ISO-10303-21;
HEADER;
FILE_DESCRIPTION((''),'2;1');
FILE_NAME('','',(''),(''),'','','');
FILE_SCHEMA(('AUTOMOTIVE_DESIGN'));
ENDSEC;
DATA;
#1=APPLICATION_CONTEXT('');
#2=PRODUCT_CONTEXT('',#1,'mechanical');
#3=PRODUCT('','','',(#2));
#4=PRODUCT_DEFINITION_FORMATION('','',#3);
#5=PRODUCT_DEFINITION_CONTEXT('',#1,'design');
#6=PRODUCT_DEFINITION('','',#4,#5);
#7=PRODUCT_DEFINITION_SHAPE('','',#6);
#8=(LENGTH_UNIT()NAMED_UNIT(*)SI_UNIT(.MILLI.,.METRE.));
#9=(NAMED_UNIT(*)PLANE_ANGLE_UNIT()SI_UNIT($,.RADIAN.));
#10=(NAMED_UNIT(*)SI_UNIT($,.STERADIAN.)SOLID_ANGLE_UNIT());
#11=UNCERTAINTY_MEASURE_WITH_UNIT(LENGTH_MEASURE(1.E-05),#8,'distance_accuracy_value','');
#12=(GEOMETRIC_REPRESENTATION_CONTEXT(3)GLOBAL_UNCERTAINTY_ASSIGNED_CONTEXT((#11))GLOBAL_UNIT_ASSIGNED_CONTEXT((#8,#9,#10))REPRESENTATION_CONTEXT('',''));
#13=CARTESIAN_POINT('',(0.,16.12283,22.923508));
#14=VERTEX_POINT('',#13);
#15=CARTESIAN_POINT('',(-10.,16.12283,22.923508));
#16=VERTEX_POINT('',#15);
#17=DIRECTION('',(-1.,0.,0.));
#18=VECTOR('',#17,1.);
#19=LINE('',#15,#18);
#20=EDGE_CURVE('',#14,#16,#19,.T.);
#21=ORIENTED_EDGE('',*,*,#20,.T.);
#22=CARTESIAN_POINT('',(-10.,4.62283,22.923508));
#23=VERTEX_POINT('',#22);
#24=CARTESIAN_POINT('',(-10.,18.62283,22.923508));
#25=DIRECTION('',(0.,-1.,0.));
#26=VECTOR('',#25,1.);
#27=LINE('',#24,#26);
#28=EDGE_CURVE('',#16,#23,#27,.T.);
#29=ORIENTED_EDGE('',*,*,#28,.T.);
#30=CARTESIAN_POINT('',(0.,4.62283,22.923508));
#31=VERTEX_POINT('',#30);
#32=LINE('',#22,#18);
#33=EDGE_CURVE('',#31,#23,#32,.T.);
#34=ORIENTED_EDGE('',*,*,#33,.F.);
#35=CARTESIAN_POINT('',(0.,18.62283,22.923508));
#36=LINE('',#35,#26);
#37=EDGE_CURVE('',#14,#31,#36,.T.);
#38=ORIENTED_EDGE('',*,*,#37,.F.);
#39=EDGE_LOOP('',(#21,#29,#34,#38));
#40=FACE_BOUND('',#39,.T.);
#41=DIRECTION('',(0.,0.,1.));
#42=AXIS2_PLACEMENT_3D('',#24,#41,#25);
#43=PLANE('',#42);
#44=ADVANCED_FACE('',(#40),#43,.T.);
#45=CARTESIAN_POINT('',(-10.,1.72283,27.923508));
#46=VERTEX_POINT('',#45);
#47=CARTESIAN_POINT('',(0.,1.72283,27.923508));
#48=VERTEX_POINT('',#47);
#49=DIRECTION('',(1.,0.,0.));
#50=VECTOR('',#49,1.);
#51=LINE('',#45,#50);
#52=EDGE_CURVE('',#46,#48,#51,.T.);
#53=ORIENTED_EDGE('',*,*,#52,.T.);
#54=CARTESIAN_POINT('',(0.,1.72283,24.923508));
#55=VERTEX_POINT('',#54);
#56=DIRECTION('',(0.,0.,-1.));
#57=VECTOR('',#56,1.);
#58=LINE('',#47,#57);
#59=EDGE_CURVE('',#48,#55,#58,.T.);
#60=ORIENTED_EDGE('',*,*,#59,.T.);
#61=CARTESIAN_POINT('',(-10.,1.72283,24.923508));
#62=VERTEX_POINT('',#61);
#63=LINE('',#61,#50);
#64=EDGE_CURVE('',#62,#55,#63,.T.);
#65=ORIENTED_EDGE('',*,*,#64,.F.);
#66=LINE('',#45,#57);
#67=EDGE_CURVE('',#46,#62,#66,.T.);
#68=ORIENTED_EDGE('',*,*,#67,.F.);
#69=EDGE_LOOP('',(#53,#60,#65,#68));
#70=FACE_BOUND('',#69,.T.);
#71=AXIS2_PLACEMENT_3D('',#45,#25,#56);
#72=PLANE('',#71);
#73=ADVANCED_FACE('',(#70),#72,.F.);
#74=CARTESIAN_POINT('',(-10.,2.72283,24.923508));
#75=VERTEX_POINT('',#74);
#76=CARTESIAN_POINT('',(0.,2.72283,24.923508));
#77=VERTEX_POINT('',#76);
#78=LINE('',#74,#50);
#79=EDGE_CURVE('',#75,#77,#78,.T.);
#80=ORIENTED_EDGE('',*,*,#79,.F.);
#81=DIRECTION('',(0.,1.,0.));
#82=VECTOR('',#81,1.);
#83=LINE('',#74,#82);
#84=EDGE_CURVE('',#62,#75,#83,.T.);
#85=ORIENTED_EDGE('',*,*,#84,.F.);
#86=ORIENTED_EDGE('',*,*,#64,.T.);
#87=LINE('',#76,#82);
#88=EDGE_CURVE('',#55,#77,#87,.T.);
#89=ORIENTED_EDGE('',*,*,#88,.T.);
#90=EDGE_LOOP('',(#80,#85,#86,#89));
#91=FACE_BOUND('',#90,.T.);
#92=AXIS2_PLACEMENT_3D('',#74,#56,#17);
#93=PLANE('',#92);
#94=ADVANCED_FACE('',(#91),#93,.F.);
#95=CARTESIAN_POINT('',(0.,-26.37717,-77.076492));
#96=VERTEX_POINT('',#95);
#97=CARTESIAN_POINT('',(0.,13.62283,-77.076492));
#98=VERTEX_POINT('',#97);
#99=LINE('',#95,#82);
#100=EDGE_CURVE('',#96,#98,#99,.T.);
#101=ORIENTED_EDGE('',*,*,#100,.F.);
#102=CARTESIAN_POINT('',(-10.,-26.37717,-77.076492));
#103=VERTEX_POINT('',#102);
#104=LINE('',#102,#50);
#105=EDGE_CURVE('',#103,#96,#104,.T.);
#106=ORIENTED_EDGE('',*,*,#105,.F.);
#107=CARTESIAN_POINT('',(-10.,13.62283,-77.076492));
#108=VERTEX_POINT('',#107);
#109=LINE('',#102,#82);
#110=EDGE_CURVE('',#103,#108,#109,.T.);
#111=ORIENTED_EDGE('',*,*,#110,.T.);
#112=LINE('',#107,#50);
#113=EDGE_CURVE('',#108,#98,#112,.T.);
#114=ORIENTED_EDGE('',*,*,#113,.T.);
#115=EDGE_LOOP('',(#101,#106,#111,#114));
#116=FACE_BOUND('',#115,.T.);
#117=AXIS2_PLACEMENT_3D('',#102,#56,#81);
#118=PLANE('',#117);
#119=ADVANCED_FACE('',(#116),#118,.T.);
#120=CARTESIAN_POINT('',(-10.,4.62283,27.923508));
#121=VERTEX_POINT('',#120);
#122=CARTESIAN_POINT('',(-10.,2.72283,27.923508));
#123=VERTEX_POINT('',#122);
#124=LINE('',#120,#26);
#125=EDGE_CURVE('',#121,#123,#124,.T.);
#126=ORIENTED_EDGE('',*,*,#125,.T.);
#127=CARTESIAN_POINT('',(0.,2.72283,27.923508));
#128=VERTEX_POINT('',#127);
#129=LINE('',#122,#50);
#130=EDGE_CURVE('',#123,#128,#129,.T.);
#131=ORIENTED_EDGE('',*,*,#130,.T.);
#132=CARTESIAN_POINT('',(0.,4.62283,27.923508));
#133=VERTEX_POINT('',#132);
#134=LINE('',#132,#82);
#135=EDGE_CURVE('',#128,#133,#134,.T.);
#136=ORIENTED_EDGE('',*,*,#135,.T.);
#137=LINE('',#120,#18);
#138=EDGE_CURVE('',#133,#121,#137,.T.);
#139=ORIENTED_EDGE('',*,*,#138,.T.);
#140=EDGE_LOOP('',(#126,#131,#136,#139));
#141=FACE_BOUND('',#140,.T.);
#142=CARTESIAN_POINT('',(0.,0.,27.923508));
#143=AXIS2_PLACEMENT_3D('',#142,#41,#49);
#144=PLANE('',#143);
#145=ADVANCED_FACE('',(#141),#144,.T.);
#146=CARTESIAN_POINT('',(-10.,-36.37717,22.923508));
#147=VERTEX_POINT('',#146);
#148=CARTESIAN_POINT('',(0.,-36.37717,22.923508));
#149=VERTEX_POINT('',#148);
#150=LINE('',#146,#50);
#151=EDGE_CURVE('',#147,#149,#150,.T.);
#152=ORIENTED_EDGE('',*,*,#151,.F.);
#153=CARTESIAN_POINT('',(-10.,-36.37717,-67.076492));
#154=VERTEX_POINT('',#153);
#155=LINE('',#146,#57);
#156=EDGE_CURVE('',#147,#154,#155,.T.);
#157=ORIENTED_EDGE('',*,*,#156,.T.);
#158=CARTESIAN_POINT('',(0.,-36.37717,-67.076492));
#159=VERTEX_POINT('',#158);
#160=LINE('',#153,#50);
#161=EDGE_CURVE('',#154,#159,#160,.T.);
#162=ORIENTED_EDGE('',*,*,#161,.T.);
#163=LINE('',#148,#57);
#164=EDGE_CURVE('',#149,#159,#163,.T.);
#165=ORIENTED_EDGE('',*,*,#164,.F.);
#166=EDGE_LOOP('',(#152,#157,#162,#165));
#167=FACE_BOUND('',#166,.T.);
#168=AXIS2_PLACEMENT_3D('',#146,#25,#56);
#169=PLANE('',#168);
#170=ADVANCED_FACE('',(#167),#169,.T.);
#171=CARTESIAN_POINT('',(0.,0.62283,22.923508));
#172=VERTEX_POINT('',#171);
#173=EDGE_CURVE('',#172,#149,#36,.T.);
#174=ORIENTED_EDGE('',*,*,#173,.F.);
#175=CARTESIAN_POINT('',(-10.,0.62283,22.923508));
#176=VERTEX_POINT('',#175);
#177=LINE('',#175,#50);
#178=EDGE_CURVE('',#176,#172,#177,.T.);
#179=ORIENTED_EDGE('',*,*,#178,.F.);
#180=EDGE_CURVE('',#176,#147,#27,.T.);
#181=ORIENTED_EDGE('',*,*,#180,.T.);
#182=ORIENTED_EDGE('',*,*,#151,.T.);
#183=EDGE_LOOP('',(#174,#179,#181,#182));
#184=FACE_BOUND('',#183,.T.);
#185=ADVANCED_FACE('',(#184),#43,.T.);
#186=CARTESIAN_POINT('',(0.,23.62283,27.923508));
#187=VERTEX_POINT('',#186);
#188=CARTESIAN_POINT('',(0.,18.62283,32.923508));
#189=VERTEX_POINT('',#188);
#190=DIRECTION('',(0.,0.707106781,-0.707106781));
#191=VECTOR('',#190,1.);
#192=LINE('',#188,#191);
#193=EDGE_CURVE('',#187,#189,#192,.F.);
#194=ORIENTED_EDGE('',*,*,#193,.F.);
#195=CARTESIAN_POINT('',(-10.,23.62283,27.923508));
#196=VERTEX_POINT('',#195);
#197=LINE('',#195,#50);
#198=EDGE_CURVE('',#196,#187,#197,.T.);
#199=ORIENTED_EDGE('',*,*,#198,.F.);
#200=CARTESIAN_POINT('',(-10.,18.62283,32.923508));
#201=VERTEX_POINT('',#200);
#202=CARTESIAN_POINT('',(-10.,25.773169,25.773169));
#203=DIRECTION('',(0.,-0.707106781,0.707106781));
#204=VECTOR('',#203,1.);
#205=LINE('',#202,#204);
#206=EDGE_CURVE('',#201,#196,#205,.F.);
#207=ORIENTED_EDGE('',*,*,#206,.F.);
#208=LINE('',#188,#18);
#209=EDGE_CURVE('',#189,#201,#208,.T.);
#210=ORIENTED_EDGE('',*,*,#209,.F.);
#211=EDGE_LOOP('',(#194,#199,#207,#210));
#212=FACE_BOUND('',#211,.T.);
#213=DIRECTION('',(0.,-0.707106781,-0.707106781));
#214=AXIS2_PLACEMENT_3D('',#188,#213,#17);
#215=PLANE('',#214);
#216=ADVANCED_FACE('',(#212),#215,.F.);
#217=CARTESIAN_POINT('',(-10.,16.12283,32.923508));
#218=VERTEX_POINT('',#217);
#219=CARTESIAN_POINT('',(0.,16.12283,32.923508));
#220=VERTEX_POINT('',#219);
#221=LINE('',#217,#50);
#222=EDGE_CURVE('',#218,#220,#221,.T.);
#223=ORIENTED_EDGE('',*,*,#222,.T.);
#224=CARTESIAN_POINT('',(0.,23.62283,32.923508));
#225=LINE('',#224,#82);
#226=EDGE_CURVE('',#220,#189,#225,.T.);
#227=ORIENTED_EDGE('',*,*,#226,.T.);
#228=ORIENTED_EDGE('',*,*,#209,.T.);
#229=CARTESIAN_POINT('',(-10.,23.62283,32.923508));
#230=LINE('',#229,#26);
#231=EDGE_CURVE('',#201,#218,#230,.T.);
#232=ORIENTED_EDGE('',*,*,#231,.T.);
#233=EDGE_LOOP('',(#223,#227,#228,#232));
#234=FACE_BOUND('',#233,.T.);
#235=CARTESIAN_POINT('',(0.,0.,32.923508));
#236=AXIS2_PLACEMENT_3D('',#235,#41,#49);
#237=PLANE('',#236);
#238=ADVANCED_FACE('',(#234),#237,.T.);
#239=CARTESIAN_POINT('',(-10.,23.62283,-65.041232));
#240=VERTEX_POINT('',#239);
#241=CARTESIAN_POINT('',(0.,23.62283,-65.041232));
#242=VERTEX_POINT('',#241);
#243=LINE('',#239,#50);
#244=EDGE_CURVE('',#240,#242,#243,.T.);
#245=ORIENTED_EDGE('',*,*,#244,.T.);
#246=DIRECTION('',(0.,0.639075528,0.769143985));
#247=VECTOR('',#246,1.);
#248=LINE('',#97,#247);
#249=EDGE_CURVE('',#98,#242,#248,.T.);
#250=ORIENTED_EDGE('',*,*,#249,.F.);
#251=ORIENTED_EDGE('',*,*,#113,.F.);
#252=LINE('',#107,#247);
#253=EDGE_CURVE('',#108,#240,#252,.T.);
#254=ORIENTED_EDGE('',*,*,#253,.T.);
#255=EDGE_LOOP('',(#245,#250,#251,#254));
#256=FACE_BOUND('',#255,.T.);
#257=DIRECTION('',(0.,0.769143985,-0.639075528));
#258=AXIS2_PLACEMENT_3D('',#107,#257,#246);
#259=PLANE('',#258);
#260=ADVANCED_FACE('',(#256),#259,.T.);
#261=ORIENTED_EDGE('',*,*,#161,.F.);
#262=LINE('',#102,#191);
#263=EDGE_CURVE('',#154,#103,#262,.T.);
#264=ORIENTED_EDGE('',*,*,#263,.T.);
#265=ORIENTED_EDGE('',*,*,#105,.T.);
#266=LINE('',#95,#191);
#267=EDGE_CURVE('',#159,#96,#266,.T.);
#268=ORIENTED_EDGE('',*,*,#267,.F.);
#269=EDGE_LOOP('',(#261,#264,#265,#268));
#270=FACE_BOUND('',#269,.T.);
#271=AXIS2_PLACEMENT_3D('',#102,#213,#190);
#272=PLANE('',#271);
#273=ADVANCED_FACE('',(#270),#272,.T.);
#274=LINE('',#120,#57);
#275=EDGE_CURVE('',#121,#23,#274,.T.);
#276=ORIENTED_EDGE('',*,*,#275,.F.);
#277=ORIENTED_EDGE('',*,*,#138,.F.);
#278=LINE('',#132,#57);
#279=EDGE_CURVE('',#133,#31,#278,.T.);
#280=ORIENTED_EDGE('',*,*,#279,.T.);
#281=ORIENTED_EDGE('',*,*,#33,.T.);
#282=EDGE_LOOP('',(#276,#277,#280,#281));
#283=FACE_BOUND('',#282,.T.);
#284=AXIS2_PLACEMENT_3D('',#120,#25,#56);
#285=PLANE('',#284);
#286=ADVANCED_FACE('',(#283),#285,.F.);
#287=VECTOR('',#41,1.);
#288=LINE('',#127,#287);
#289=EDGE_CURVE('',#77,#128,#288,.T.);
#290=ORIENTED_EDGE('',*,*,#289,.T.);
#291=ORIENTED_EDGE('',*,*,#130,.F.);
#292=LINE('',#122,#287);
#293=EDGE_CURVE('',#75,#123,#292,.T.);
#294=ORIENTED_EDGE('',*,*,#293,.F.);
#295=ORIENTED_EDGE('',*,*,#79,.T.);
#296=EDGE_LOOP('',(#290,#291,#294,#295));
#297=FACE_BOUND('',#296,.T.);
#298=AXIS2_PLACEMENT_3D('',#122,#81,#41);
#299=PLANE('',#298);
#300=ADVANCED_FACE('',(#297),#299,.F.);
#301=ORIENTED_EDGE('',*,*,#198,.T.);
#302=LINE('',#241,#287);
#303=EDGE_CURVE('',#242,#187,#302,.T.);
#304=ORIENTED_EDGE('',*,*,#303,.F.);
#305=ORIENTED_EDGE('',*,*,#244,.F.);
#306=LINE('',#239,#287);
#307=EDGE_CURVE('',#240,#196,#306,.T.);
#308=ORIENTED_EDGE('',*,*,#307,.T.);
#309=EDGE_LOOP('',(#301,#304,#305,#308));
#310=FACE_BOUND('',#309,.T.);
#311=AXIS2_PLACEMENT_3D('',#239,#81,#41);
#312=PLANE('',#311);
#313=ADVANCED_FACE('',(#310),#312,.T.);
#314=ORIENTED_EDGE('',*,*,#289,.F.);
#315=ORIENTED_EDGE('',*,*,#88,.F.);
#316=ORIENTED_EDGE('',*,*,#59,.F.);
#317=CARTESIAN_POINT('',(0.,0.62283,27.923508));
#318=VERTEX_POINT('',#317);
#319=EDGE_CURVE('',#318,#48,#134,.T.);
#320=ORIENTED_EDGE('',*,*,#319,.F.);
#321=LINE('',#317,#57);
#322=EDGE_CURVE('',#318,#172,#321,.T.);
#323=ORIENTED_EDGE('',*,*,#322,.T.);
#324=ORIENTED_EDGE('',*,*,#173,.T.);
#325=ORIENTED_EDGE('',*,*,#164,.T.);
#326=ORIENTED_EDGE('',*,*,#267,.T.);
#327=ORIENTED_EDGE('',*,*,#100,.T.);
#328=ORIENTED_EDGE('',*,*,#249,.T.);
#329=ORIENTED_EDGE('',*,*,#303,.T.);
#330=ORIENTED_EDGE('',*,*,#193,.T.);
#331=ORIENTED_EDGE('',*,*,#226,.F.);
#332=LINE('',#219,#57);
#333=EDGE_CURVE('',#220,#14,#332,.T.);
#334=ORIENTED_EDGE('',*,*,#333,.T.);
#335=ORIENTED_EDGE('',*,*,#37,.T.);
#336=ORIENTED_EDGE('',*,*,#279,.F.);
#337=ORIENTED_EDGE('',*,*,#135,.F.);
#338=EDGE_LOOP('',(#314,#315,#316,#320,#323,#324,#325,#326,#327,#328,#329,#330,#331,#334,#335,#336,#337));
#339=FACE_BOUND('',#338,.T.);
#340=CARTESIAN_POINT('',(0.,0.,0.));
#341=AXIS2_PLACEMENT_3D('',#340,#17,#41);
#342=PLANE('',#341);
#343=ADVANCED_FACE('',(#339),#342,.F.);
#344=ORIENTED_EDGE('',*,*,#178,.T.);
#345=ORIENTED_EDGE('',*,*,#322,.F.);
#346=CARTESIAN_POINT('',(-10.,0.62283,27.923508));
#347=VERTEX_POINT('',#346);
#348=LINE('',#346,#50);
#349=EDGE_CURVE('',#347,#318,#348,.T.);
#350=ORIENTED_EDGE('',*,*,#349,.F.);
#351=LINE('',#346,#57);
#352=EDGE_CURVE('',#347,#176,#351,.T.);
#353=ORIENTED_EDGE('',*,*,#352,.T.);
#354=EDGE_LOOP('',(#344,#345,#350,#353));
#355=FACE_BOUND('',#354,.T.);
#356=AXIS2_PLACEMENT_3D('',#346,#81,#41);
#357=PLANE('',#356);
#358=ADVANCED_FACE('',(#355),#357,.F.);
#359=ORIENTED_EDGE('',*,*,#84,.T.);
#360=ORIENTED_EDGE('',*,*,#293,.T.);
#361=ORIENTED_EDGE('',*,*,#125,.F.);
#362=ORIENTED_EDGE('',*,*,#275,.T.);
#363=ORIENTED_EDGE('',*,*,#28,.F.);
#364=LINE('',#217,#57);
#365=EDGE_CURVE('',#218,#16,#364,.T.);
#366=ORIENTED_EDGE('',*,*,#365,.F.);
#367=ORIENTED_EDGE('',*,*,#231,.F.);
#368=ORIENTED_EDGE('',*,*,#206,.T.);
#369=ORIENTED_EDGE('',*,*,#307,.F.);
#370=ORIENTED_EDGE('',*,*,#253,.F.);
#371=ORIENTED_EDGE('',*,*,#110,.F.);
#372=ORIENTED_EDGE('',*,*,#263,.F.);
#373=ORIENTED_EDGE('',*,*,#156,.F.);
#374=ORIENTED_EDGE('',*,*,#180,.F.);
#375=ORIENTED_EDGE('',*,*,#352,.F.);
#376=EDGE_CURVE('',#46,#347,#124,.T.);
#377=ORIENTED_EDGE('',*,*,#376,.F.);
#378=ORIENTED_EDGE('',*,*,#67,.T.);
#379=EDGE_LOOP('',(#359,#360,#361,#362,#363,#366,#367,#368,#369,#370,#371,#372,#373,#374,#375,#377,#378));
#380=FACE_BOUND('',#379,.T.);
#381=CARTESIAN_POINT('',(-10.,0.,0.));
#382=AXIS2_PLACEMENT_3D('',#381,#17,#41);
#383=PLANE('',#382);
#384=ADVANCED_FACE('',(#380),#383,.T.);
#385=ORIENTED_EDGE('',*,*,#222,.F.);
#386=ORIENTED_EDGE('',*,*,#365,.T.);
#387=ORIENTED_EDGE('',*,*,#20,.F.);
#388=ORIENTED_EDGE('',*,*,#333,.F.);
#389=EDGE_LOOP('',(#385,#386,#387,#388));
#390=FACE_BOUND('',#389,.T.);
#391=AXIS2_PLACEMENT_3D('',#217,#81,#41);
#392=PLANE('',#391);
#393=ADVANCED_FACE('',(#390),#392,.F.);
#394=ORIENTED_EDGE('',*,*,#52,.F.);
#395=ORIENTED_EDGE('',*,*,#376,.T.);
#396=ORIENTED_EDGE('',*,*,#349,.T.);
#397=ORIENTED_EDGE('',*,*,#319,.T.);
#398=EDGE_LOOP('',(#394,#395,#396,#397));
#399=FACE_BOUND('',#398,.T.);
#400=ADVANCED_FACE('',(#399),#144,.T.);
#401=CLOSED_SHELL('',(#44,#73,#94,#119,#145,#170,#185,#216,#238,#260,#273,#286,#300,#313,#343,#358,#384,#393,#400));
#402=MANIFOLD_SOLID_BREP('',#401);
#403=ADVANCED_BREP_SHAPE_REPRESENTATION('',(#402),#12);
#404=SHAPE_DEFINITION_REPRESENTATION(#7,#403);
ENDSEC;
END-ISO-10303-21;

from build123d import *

# Parameters (mm, degrees)
BOSS_EXTRUDE1_DEPTH = 10
SKETCH2_W           = 10
SKETCH2_H           = 4
BOSS_EXTRUDE2_DEPTH = 5
SKETCH3_W           = 10
SKETCH3_H           = 7.5
BOSS_EXTRUDE3_DEPTH = 10
CHAMFER1_SIZE       = 5
SKETCH4_W           = 3
SKETCH4_H           = 1
CUT_EXTRUDE1_DEPTH  = 10


with BuildPart() as part:
    # Sketch1 → Boss-Extrude1 (new body)
    with BuildSketch(Plane(origin=(0, 0, 0), x_dir=(0, 0, -1), z_dir=(1, 0, 0))):
        Polygon((-22.923508233, 18.622830226), (-22.923508233, -36.377169774), (67.076491767, -36.377169774), (77.076491767, -26.377169774), (77.076491767, 13.622830226), (65.041232226, 23.622830226), (-14.958767774, 23.622830226), align=None)
    extrude(amount=-BOSS_EXTRUDE1_DEPTH)

    # Sketch2 → Boss-Extrude2 (add)
    with BuildSketch(Plane.XY.offset(22.923508233)):
        with Locations((-5, 2.622830226)):
            Rectangle(SKETCH2_W, SKETCH2_H)
    extrude(amount=BOSS_EXTRUDE2_DEPTH)

    # Sketch3 → Boss-Extrude3 (add, symmetric)
    with BuildSketch(Plane.XY.offset(22.923508233)):
        with Locations((-5, 19.872830226)):
            Rectangle(SKETCH3_W, SKETCH3_H)
    extrude(amount=BOSS_EXTRUDE3_DEPTH, both=True)

    # Chamfer1
    chamfer1_edges = [part.edges().sort_by_distance(p)[0] for p in [
        (-5, 23.622830226, 32.923508233),
    ]]
    chamfer(chamfer1_edges, length=CHAMFER1_SIZE)

    # Sketch4 → Cut-Extrude1 (cut)
    with BuildSketch(Plane(origin=(0, 0, 0), x_dir=(0, 0, -1), z_dir=(1, 0, 0))):
        with Locations((-26.423508233, 2.222830226)):
            Rectangle(SKETCH4_W, SKETCH4_H)
    extrude(amount=-CUT_EXTRUDE1_DEPTH, mode=Mode.SUBTRACT)


solid = part.part
